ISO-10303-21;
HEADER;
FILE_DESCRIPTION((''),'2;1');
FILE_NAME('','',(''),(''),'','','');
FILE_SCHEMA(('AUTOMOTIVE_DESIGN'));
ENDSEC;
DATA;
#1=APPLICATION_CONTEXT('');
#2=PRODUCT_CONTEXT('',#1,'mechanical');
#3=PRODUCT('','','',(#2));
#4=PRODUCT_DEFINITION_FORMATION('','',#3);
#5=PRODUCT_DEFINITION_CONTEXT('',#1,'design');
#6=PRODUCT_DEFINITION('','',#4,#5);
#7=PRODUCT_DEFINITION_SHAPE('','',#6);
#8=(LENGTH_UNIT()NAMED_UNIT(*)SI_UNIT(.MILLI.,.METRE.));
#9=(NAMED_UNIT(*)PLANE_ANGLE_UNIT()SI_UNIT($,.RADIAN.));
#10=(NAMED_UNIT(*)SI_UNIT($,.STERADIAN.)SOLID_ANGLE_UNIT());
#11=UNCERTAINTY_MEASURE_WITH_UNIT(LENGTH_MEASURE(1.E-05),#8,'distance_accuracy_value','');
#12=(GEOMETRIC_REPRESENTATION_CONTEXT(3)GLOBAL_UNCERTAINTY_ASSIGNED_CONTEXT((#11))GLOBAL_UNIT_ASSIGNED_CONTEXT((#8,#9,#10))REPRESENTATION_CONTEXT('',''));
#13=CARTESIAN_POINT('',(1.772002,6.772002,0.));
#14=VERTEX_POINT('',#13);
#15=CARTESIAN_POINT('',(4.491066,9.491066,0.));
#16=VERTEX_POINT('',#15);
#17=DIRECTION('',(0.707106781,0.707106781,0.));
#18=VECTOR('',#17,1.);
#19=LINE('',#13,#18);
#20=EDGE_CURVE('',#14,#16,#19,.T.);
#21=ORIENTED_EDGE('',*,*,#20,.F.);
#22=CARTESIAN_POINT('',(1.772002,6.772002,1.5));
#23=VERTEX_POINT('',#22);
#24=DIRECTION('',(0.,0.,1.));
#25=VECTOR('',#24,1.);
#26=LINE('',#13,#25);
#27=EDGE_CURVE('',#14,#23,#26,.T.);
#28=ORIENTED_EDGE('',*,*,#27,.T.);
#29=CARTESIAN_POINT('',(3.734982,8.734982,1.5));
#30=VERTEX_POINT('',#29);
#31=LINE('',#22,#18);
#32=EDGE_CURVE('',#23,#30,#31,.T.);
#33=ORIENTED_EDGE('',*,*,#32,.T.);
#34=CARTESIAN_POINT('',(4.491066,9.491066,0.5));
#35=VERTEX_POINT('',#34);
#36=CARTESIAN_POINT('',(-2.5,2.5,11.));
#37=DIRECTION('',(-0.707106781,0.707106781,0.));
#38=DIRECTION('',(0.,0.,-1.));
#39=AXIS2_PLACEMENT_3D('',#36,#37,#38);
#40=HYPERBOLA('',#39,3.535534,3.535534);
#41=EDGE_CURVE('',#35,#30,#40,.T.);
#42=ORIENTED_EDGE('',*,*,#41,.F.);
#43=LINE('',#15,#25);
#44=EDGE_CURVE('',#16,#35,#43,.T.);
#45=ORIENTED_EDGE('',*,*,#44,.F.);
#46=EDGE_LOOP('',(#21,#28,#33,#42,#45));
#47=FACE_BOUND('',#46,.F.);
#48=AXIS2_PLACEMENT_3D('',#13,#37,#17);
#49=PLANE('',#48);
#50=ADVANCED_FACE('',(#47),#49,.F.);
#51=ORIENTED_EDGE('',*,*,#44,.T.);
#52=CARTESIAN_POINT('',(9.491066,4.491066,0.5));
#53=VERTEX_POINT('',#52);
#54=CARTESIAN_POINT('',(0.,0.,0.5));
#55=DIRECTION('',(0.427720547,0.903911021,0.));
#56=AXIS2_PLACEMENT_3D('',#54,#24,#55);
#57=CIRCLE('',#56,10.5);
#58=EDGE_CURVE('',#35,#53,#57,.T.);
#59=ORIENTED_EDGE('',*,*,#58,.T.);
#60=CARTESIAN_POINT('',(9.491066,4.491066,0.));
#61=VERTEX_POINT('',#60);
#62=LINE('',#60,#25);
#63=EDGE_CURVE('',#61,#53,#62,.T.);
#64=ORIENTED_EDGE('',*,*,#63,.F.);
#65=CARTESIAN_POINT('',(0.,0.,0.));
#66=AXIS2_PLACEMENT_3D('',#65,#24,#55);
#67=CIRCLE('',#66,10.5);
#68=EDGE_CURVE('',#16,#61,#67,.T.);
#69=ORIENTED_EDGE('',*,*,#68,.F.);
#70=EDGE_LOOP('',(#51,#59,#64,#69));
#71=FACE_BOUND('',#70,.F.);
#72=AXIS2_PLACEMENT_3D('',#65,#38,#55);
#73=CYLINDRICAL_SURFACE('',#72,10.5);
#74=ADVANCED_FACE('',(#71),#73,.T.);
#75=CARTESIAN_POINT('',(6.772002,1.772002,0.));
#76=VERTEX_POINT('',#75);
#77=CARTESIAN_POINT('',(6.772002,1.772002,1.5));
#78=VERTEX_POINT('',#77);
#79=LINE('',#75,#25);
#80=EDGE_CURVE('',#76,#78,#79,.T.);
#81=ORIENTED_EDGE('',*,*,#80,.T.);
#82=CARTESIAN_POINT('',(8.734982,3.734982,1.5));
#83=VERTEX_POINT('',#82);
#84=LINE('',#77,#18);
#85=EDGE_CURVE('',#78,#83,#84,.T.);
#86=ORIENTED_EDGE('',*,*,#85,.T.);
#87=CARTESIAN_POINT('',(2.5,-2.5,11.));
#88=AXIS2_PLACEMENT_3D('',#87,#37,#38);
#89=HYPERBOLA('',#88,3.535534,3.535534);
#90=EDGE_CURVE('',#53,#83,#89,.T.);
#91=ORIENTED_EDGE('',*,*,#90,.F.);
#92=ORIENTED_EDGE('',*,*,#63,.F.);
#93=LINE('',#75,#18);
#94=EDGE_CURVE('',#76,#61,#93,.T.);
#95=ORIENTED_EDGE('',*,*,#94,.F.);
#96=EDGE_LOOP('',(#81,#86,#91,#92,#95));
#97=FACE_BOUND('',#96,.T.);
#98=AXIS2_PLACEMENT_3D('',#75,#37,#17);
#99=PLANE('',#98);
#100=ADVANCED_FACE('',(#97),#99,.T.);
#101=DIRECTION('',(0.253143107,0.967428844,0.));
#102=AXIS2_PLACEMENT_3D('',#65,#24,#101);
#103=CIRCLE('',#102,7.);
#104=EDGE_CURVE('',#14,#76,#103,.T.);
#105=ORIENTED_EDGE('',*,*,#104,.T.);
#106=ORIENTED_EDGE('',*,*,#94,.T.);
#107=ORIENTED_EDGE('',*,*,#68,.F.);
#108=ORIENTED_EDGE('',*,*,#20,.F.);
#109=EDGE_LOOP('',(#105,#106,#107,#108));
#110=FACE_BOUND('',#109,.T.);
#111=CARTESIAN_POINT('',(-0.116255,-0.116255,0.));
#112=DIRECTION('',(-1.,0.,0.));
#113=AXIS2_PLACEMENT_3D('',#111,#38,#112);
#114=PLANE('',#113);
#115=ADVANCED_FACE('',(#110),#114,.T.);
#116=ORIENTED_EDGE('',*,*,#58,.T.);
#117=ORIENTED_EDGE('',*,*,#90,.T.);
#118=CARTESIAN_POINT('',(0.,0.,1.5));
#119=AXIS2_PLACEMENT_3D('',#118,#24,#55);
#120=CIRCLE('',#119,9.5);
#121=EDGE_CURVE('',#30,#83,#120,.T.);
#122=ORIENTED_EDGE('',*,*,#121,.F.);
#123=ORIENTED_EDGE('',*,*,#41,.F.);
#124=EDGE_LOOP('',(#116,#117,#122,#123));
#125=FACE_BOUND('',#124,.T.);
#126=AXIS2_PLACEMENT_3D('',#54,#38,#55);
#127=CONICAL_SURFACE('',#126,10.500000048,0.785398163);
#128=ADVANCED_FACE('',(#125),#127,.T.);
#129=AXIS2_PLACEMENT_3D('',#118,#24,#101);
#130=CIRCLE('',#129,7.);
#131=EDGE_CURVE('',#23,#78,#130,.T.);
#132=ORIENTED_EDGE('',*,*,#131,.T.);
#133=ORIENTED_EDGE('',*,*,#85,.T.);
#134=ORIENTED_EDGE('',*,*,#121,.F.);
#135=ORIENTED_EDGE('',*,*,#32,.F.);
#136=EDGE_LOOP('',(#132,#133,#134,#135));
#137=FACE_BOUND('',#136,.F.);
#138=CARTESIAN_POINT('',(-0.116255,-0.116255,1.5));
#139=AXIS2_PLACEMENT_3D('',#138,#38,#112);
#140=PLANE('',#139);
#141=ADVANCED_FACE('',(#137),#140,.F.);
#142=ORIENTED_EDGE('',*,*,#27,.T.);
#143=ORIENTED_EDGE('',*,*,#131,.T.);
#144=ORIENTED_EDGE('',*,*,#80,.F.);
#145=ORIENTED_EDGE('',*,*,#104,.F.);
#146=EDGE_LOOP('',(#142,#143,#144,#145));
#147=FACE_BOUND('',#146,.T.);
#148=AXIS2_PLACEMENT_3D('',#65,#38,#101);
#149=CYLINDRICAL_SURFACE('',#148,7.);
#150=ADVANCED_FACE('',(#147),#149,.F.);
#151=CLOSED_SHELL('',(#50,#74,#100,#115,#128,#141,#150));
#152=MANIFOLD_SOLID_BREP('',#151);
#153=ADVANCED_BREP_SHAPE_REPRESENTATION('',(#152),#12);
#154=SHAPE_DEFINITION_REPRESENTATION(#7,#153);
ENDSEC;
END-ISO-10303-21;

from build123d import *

# Parameters (mm, degrees)
PAD_DEPTH    = 1.5
CHAMFER_SIZE = 1


with BuildPart() as part:
    # Sketch → Pad (new body)
    with BuildSketch(Plane.XY):
        with BuildLine():
            ThreePointArc((1.772002, 6.772002), (-4.949747, -4.949747), (6.772002, 1.772002))
            Line((6.772002, 1.772002), (9.491066, 4.491066))
            ThreePointArc((4.491066, 9.491066), (-7.424621, -7.424621), (9.491066, 4.491066))
            Line((1.772002, 6.772002), (4.491066, 9.491066))
        make_face()
    extrude(amount=PAD_DEPTH)

    # Chamfer
    chamfer_edges = [part.edges().sort_by_distance(p)[0] for p in [
        (-7.424621, -7.424621, 1.5),
    ]]
    chamfer(chamfer_edges, length=CHAMFER_SIZE)


solid = part.part
